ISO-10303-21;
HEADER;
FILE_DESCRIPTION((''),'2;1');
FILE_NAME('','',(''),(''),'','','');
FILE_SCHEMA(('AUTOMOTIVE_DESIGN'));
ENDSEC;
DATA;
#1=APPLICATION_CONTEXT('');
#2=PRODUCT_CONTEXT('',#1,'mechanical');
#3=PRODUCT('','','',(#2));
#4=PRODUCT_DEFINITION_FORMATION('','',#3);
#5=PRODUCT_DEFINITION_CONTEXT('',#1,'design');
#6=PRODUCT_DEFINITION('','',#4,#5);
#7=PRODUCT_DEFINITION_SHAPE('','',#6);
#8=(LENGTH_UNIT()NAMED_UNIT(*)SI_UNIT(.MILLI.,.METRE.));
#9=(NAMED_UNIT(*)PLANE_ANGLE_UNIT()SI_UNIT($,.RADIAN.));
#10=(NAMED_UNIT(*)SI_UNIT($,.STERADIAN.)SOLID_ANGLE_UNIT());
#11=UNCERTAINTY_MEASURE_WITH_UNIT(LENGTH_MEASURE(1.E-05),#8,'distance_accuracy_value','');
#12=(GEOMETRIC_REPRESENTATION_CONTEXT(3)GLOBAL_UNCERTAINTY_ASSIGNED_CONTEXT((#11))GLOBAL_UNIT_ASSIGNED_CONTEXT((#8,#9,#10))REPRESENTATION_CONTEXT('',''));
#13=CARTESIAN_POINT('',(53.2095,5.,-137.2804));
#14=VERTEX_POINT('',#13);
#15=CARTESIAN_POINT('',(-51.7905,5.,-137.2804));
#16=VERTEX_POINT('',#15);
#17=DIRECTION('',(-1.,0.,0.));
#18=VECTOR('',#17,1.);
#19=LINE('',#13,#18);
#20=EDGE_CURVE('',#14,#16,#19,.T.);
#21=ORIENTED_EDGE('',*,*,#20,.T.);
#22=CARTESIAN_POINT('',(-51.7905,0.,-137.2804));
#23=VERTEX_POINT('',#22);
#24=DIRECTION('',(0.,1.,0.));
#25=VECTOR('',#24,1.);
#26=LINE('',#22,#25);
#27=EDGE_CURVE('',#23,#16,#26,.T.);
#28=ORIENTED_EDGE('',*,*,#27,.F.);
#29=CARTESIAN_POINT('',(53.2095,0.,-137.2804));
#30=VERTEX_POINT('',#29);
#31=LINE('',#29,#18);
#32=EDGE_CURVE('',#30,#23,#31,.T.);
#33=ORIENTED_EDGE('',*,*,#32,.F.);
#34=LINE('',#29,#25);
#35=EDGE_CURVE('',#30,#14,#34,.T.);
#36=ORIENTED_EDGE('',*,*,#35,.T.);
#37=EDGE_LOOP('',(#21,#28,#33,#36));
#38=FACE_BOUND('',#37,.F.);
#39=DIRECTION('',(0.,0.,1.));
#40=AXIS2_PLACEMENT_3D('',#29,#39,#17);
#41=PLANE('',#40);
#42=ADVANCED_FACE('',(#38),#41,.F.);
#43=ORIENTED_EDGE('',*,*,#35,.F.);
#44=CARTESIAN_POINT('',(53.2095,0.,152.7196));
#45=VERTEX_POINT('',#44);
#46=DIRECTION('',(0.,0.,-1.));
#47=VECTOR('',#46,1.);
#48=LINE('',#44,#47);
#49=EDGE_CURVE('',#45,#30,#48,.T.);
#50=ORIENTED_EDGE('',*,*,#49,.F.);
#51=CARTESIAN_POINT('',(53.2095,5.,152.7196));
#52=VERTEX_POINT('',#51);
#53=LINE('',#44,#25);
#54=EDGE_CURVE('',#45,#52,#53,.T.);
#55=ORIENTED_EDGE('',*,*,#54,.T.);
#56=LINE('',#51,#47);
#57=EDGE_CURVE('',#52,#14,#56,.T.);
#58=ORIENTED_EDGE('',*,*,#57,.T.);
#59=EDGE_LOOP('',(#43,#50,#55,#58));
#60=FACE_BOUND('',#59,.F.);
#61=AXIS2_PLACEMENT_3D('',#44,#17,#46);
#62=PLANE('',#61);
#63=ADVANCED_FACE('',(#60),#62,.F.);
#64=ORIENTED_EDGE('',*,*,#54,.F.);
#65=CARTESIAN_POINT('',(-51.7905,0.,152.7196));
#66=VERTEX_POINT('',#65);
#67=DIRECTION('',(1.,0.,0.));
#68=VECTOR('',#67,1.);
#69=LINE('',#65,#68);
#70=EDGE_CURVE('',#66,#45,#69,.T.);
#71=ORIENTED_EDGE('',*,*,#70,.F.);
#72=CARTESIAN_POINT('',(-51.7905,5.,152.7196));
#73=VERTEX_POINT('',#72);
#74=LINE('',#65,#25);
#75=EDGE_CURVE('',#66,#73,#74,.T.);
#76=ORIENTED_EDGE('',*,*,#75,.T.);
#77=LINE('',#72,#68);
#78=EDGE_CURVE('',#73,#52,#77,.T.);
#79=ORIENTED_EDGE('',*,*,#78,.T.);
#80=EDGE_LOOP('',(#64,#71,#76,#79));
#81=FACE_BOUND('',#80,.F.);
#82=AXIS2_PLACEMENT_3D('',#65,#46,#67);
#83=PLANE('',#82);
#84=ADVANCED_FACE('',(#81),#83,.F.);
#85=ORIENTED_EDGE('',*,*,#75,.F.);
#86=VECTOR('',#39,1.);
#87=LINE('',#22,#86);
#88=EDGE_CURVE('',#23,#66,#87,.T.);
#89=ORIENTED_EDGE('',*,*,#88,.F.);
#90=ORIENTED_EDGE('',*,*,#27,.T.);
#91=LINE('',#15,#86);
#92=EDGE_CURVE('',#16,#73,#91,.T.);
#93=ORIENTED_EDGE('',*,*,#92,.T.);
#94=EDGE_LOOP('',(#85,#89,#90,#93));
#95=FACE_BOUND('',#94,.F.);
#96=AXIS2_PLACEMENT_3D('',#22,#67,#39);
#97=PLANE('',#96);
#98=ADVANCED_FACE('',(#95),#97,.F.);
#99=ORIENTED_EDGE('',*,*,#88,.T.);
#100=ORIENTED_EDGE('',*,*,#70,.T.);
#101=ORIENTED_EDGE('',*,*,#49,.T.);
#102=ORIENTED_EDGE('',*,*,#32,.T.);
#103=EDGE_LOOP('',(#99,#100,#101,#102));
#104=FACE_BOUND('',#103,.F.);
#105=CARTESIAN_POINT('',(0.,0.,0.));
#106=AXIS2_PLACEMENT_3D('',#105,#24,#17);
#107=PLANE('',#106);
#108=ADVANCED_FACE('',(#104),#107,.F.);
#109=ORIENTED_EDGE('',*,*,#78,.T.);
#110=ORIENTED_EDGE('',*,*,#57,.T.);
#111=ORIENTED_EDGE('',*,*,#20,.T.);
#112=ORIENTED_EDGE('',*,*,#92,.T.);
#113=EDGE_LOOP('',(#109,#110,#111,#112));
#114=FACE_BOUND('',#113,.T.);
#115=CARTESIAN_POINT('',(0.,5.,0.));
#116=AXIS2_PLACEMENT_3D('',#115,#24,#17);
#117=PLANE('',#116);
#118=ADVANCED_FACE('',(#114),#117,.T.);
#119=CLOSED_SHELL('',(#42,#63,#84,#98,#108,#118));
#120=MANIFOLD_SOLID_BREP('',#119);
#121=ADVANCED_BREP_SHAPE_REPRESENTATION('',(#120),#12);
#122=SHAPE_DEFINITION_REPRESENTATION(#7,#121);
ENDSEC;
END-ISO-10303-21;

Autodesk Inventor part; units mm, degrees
ref_plane "YZ Plane" through (0, 0, 0) normal (1, 0, 0) x (0, 1, 0)
ref_plane "XZ Plane" through (0, 0, 0) normal (0, 1, 0) x (-1, 0, 0)
ref_plane "XY Plane" through (0, 0, 0) normal (0, 0, 1) x (1, 0, 0)
sketch "Esquisse1" plane through (0, 0, 0) normal (0, 1, 0) x (-1, 0, 0)
  line L0 (51.7905, 152.7196) -> (-53.2095, 152.7196)
  line L1 (-53.2095, 152.7196) -> (-53.2095, -137.2804)
  line L2 (-53.2095, -137.2804) -> (51.7905, -137.2804)
  line L3 (51.7905, -137.2804) -> (51.7905, 152.7196)
  point P0 (0, 0)
  dimension "d0" = 105
  dimension "d1" = 290
extrude "Extrusion1" add sketch "Esquisse1" along normal blind 5
properties part number "etage"
